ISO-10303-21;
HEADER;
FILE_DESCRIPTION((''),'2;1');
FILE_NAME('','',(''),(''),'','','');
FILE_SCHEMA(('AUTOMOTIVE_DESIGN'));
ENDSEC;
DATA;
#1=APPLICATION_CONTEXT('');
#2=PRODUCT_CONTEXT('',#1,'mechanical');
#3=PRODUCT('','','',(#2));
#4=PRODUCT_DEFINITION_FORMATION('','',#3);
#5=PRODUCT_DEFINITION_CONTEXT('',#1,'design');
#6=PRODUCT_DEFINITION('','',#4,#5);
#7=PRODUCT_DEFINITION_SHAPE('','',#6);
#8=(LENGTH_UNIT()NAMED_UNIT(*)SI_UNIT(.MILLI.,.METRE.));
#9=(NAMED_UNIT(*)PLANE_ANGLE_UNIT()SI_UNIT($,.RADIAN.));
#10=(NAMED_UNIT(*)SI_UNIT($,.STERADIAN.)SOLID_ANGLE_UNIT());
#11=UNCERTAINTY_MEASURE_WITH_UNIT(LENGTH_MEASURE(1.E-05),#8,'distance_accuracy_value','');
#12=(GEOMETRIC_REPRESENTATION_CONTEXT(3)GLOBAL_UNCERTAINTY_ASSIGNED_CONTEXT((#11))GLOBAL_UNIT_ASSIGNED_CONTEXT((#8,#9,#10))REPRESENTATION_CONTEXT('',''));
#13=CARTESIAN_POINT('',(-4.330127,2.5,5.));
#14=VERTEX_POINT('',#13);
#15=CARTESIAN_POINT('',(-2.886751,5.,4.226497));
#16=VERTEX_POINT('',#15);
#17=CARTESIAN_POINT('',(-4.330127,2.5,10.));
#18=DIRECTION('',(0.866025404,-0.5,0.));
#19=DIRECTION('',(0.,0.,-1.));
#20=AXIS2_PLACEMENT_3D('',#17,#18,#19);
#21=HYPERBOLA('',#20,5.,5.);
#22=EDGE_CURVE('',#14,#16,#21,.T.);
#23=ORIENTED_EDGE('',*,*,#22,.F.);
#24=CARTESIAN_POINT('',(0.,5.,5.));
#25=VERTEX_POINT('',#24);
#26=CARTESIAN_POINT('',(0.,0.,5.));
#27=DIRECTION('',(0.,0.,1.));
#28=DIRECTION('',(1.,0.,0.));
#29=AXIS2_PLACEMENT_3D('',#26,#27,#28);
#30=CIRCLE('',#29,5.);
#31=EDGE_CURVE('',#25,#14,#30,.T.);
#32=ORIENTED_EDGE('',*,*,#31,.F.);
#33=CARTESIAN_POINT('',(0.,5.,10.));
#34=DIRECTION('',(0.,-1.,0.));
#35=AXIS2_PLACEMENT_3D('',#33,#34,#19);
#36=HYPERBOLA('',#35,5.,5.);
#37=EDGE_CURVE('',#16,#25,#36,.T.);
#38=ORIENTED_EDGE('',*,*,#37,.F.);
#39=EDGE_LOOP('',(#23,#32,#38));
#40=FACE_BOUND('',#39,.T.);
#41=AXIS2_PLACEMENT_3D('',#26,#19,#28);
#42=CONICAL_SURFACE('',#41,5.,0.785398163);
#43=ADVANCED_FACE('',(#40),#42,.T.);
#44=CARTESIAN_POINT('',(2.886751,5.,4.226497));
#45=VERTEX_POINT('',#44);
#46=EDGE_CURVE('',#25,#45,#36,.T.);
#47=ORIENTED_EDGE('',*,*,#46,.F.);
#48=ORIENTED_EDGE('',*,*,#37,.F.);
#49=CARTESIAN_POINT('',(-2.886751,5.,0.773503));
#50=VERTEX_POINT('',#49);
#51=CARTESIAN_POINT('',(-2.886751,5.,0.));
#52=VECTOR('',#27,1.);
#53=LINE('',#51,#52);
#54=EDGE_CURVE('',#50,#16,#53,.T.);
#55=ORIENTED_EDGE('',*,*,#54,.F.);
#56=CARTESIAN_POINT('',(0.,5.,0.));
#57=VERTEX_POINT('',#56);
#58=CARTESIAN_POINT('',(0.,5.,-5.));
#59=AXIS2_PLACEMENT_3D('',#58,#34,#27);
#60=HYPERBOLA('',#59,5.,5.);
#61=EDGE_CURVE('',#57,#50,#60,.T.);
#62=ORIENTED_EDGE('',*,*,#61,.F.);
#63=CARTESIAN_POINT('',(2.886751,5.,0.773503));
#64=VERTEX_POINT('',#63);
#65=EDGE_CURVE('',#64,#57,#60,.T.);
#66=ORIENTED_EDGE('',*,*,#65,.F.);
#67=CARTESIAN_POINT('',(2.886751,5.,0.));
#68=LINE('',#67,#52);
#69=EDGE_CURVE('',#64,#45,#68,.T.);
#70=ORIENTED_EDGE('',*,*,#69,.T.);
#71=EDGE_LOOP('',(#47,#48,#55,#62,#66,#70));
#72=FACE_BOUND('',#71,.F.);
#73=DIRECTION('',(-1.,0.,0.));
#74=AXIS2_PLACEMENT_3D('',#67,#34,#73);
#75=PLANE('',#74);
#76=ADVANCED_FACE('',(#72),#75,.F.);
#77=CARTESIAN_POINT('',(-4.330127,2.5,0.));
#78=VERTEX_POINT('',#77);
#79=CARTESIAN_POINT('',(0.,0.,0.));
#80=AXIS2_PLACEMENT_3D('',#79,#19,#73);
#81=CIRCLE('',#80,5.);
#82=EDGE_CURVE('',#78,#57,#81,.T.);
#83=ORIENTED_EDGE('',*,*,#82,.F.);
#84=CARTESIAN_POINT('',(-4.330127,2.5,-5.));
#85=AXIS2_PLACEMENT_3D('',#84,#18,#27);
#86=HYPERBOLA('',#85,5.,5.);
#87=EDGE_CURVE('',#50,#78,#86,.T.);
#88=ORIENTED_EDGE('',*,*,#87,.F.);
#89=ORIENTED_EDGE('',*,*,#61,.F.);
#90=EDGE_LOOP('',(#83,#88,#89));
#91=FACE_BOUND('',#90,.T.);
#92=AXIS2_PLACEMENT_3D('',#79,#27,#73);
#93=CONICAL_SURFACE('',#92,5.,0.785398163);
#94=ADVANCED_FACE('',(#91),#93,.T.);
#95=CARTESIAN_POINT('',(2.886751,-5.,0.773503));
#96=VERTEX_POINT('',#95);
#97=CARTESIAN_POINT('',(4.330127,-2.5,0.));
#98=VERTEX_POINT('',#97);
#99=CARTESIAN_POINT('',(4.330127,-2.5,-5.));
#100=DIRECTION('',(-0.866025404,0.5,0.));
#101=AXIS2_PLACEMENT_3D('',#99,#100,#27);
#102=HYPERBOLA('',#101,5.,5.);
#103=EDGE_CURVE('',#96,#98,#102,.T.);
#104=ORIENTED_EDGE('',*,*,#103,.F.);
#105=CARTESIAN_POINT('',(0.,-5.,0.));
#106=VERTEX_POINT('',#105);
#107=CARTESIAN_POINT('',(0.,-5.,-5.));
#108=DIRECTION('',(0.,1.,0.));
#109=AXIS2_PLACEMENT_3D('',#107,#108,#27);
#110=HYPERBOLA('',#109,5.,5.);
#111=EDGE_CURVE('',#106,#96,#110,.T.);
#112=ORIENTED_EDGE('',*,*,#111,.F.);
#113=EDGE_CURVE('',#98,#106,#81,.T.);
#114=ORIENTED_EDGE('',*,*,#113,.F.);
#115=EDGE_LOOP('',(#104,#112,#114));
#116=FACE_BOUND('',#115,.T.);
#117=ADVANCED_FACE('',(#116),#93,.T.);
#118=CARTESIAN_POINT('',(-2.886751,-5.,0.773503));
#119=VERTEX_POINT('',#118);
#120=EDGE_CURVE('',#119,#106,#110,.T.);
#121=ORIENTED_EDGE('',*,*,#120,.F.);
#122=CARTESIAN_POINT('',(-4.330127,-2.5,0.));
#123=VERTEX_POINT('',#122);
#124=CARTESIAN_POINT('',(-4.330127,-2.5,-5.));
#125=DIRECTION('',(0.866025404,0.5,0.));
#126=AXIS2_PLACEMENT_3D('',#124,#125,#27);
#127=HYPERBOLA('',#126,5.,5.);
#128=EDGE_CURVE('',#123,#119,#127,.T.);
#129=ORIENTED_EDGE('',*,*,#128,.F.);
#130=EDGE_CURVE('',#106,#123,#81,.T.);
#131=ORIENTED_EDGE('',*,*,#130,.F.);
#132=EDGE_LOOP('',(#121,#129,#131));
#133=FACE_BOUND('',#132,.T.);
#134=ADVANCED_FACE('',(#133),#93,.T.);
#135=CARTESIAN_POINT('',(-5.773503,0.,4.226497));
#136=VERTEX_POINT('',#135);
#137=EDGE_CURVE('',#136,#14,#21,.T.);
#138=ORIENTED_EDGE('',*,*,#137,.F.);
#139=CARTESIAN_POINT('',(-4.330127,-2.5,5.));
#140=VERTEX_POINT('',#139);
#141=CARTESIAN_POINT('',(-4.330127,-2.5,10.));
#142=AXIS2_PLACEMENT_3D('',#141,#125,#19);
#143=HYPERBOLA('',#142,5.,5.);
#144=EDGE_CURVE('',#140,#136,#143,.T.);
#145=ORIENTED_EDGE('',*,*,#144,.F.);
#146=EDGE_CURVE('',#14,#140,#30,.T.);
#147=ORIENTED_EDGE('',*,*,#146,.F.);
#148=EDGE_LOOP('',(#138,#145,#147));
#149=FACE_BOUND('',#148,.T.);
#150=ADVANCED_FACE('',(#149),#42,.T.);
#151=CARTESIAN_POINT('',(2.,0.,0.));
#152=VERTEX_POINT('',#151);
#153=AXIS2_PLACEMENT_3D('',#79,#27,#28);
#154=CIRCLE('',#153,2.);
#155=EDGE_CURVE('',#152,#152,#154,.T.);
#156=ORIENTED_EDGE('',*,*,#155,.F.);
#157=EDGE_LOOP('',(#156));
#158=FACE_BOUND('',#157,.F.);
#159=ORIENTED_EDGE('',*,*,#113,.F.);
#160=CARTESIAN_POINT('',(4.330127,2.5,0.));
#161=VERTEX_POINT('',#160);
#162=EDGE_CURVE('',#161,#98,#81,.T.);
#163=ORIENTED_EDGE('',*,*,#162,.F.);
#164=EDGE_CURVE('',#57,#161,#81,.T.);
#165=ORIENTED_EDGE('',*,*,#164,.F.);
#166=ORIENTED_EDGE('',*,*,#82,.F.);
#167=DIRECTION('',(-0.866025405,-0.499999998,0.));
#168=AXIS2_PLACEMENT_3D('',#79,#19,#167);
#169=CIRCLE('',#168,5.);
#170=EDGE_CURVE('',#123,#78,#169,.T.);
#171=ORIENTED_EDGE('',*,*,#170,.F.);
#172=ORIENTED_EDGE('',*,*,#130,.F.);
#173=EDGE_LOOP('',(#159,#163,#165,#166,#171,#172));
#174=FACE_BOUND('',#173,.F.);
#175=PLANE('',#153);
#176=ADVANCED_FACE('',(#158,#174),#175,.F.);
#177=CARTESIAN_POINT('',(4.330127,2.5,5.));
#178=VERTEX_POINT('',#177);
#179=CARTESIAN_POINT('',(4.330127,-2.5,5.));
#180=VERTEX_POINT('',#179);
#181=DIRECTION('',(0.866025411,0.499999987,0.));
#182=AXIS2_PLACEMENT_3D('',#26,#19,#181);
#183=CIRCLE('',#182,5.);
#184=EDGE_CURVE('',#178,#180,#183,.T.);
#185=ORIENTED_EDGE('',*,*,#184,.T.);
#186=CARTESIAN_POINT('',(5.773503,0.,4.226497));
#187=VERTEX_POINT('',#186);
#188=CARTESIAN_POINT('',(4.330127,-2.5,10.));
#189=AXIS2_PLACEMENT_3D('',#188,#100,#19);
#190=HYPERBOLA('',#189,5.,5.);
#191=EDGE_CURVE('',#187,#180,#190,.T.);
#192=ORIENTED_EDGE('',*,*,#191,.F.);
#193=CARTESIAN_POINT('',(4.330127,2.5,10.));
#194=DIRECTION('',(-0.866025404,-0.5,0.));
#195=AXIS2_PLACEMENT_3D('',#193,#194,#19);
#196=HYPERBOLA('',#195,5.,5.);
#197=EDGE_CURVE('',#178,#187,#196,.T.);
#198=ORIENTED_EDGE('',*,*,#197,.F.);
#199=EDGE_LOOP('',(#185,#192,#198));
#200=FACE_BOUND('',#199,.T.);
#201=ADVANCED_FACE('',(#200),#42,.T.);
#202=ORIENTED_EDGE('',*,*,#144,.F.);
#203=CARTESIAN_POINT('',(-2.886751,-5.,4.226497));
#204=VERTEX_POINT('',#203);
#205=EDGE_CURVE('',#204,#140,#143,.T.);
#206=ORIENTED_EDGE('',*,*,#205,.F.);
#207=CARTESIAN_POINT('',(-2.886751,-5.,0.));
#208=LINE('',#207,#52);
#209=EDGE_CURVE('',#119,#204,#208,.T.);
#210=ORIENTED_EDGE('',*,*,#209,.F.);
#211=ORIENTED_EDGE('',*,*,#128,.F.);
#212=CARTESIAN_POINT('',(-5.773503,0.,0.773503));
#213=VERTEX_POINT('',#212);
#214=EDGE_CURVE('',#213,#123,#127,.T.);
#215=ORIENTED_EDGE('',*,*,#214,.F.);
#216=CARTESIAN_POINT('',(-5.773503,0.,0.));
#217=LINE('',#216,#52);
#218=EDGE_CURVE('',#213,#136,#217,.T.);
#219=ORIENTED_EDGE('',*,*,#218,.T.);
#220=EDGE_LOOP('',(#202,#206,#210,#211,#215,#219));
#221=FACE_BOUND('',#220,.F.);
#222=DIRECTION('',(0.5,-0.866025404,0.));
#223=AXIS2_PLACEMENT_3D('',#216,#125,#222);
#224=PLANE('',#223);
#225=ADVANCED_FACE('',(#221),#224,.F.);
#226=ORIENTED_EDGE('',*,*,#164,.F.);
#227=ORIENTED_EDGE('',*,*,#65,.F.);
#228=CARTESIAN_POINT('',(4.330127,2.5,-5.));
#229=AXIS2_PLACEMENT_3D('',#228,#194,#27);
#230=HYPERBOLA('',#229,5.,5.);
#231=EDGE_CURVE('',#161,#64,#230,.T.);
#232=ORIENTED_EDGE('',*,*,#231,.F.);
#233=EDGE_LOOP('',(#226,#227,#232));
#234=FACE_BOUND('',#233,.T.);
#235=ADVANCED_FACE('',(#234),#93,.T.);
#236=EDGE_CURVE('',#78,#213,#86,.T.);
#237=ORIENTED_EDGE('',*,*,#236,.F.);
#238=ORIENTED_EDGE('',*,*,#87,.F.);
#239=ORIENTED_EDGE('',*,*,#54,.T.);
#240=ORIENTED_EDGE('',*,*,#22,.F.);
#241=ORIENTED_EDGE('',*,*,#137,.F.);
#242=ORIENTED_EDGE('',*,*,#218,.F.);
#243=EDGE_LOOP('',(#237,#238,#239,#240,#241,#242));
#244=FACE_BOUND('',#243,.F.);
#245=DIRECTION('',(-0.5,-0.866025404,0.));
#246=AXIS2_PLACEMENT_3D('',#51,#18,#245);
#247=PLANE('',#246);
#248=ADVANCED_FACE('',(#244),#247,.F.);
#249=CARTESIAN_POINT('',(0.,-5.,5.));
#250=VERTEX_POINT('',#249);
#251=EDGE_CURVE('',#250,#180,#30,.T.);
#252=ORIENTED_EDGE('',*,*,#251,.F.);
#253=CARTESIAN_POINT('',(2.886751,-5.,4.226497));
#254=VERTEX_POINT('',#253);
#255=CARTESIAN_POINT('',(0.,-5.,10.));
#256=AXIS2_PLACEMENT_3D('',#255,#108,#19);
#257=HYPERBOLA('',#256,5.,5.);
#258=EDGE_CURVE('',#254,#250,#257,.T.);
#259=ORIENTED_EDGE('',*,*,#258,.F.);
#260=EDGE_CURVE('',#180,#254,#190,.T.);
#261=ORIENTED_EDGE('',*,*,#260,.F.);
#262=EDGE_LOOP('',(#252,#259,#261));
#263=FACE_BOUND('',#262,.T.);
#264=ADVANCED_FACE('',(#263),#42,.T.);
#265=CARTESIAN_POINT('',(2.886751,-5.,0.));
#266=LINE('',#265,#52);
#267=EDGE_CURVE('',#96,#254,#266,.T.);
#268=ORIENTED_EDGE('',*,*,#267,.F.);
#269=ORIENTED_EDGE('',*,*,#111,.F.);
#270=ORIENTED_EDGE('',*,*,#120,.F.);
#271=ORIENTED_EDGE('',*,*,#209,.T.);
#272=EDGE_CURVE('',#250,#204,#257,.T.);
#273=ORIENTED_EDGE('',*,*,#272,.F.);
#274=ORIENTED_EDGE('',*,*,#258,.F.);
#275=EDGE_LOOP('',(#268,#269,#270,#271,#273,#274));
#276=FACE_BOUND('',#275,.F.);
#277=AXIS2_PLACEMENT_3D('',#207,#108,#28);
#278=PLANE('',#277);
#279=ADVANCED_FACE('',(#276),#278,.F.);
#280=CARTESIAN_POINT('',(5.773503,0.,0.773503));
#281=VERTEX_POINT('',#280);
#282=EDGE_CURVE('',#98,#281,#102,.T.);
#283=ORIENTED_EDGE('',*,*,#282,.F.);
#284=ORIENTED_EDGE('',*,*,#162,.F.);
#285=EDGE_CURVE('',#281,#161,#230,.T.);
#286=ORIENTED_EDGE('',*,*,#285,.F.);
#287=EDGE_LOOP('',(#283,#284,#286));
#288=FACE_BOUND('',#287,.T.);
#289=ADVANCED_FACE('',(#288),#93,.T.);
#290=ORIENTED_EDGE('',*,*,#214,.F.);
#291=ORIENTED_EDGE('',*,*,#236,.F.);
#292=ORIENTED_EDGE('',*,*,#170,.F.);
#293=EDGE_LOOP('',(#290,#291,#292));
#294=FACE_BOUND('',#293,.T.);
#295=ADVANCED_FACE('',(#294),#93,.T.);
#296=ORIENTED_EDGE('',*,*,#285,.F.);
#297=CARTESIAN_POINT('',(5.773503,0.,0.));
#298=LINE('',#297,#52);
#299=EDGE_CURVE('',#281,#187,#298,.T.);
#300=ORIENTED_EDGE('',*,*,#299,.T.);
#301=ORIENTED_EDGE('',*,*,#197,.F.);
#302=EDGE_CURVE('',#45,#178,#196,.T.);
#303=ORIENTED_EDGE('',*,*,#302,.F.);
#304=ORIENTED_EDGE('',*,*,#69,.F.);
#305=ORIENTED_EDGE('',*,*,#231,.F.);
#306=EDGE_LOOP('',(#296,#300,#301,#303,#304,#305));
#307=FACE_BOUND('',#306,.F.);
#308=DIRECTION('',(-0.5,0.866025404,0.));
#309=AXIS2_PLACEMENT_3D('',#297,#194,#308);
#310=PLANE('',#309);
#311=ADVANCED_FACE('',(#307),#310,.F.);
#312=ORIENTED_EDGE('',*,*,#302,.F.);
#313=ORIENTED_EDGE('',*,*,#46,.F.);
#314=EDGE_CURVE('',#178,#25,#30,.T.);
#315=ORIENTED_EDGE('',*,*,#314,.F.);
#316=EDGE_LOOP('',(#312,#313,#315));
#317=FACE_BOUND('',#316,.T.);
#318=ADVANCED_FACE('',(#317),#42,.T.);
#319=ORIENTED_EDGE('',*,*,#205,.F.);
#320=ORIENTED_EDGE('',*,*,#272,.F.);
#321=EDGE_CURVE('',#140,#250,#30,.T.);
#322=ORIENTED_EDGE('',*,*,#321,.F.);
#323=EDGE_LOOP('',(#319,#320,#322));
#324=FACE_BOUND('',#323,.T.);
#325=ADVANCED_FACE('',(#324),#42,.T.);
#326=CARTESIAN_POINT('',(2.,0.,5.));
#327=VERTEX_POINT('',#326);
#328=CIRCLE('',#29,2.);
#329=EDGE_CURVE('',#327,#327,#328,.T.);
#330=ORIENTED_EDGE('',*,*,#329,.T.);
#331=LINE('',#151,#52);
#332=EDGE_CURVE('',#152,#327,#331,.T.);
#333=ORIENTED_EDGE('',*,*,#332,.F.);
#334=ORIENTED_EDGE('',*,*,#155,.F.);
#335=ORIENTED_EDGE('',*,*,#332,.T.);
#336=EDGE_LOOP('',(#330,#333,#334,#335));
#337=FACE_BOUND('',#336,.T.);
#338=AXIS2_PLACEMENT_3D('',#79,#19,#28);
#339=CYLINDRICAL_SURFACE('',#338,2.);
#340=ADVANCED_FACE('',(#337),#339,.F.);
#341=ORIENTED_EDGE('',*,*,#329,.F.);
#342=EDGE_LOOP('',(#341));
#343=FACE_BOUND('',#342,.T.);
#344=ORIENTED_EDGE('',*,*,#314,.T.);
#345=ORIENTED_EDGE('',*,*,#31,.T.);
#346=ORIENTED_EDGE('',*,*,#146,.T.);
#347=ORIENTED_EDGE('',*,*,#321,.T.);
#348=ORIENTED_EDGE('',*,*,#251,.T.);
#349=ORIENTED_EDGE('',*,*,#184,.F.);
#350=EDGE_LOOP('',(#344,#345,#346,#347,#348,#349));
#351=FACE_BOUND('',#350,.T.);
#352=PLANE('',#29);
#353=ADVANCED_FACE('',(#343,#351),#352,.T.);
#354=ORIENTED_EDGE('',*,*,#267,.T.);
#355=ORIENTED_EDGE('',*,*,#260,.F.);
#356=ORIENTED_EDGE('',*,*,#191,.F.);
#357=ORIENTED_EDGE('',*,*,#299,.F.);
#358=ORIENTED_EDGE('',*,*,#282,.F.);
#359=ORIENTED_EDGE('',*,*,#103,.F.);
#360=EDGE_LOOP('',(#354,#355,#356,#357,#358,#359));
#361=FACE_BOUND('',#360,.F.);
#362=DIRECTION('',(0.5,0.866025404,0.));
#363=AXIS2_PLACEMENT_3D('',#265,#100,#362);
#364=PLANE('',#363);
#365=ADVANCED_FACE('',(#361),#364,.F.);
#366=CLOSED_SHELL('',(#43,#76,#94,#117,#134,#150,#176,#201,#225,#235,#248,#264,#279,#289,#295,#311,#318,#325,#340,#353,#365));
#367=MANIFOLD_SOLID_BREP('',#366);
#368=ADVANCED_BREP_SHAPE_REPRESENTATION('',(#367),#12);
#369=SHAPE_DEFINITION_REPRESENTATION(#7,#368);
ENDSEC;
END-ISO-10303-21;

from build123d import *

# Parameters (mm, degrees)
IZIM1_R                     = 2
Y_KSEKLIK_EKSTR_ZYON1_DEPTH = 5
IZIM2_OUTSIDE_W             = 18.762
IZIM2_OUTSIDE_H             = 17.214
IZIM2_OUTSIDE_R             = 5
KES_EKSTR_ZYON1_DEPTH       = 1
KES_EKSTR_ZYON1_DRAFT       = -45
IZIM3_OUTSIDE_W             = 18.762
IZIM3_OUTSIDE_H             = 17.214
IZIM3_OUTSIDE_R             = 5
KES_EKSTR_ZYON2_DEPTH       = 1
KES_EKSTR_ZYON2_DRAFT       = -45


with BuildPart() as part:
    # Çizim1 → Yükseklik-Ekstrüzyon1 (new body)
    with BuildSketch(Plane.XY):
        Polygon((5.773502692, 0), (2.886751346, 5), (-2.886751346, 5), (-5.773502692, 0), (-2.886751346, -5), (2.886751346, -5), align=None)
        Circle(IZIM1_R, mode=Mode.SUBTRACT)
    extrude(amount=Y_KSEKLIK_EKSTR_ZYON1_DEPTH)


with BuildPart() as kes_ekstr_zyon1_tool:
    # Çizim2 outside → Kes-Ekstrüzyon1 (with draft: the straight prism first)
    with BuildSketch(Plane.XY.offset(5)):
        Rectangle(IZIM2_OUTSIDE_W, IZIM2_OUTSIDE_H)
        Circle(IZIM2_OUTSIDE_R, mode=Mode.SUBTRACT)
    extrude(amount=-KES_EKSTR_ZYON1_DEPTH)
    # Kes-Ekstrüzyon1: the draft: its side faces are tilted about the plane it starts from
    kes_ekstr_zyon1_sides = [kes_ekstr_zyon1_tool.faces().sort_by_distance(p)[0] for p in [
        (0, -8.607, 4.5),
        (9.381, 0, 4.5),
        (0, 8.607, 4.5),
        (-9.381, 0, 4.5),
        (-5, 0, 4.5),
    ]]
    draft(kes_ekstr_zyon1_sides, Plane.XY.offset(5), KES_EKSTR_ZYON1_DRAFT)


with BuildPart() as part_1:
    add(part.part)

    # Kes-Ekstrüzyon1: cut by kes_ekstr_zyon1_tool
    add(kes_ekstr_zyon1_tool.part, mode=Mode.SUBTRACT)


with BuildPart() as kes_ekstr_zyon2_tool:
    # Çizim3 outside → Kes-Ekstrüzyon2 (with draft: the straight prism first)
    with BuildSketch(Plane(origin=(0, 0, 0), x_dir=(-1, 0, 0), z_dir=(0, 0, -1))):
        Rectangle(IZIM3_OUTSIDE_W, IZIM3_OUTSIDE_H)
        Circle(IZIM3_OUTSIDE_R, mode=Mode.SUBTRACT)
    extrude(amount=-KES_EKSTR_ZYON2_DEPTH)
    # Kes-Ekstrüzyon2: the draft: its side faces are tilted about the plane it starts from
    kes_ekstr_zyon2_sides = [kes_ekstr_zyon2_tool.faces().sort_by_distance(p)[0] for p in [
        (0, -8.607, 0.5),
        (-9.381, 0, 0.5),
        (0, 8.607, 0.5),
        (9.381, 0, 0.5),
        (5, 0, 0.5),
    ]]
    draft(kes_ekstr_zyon2_sides, Plane(origin=(0, 0, 0), x_dir=(-1, 0, 0), z_dir=(0, 0, -1)), KES_EKSTR_ZYON2_DRAFT)


with BuildPart() as part_2:
    add(part_1.part)

    # Kes-Ekstrüzyon2: cut by kes_ekstr_zyon2_tool
    add(kes_ekstr_zyon2_tool.part, mode=Mode.SUBTRACT)


solid = part_2.part
